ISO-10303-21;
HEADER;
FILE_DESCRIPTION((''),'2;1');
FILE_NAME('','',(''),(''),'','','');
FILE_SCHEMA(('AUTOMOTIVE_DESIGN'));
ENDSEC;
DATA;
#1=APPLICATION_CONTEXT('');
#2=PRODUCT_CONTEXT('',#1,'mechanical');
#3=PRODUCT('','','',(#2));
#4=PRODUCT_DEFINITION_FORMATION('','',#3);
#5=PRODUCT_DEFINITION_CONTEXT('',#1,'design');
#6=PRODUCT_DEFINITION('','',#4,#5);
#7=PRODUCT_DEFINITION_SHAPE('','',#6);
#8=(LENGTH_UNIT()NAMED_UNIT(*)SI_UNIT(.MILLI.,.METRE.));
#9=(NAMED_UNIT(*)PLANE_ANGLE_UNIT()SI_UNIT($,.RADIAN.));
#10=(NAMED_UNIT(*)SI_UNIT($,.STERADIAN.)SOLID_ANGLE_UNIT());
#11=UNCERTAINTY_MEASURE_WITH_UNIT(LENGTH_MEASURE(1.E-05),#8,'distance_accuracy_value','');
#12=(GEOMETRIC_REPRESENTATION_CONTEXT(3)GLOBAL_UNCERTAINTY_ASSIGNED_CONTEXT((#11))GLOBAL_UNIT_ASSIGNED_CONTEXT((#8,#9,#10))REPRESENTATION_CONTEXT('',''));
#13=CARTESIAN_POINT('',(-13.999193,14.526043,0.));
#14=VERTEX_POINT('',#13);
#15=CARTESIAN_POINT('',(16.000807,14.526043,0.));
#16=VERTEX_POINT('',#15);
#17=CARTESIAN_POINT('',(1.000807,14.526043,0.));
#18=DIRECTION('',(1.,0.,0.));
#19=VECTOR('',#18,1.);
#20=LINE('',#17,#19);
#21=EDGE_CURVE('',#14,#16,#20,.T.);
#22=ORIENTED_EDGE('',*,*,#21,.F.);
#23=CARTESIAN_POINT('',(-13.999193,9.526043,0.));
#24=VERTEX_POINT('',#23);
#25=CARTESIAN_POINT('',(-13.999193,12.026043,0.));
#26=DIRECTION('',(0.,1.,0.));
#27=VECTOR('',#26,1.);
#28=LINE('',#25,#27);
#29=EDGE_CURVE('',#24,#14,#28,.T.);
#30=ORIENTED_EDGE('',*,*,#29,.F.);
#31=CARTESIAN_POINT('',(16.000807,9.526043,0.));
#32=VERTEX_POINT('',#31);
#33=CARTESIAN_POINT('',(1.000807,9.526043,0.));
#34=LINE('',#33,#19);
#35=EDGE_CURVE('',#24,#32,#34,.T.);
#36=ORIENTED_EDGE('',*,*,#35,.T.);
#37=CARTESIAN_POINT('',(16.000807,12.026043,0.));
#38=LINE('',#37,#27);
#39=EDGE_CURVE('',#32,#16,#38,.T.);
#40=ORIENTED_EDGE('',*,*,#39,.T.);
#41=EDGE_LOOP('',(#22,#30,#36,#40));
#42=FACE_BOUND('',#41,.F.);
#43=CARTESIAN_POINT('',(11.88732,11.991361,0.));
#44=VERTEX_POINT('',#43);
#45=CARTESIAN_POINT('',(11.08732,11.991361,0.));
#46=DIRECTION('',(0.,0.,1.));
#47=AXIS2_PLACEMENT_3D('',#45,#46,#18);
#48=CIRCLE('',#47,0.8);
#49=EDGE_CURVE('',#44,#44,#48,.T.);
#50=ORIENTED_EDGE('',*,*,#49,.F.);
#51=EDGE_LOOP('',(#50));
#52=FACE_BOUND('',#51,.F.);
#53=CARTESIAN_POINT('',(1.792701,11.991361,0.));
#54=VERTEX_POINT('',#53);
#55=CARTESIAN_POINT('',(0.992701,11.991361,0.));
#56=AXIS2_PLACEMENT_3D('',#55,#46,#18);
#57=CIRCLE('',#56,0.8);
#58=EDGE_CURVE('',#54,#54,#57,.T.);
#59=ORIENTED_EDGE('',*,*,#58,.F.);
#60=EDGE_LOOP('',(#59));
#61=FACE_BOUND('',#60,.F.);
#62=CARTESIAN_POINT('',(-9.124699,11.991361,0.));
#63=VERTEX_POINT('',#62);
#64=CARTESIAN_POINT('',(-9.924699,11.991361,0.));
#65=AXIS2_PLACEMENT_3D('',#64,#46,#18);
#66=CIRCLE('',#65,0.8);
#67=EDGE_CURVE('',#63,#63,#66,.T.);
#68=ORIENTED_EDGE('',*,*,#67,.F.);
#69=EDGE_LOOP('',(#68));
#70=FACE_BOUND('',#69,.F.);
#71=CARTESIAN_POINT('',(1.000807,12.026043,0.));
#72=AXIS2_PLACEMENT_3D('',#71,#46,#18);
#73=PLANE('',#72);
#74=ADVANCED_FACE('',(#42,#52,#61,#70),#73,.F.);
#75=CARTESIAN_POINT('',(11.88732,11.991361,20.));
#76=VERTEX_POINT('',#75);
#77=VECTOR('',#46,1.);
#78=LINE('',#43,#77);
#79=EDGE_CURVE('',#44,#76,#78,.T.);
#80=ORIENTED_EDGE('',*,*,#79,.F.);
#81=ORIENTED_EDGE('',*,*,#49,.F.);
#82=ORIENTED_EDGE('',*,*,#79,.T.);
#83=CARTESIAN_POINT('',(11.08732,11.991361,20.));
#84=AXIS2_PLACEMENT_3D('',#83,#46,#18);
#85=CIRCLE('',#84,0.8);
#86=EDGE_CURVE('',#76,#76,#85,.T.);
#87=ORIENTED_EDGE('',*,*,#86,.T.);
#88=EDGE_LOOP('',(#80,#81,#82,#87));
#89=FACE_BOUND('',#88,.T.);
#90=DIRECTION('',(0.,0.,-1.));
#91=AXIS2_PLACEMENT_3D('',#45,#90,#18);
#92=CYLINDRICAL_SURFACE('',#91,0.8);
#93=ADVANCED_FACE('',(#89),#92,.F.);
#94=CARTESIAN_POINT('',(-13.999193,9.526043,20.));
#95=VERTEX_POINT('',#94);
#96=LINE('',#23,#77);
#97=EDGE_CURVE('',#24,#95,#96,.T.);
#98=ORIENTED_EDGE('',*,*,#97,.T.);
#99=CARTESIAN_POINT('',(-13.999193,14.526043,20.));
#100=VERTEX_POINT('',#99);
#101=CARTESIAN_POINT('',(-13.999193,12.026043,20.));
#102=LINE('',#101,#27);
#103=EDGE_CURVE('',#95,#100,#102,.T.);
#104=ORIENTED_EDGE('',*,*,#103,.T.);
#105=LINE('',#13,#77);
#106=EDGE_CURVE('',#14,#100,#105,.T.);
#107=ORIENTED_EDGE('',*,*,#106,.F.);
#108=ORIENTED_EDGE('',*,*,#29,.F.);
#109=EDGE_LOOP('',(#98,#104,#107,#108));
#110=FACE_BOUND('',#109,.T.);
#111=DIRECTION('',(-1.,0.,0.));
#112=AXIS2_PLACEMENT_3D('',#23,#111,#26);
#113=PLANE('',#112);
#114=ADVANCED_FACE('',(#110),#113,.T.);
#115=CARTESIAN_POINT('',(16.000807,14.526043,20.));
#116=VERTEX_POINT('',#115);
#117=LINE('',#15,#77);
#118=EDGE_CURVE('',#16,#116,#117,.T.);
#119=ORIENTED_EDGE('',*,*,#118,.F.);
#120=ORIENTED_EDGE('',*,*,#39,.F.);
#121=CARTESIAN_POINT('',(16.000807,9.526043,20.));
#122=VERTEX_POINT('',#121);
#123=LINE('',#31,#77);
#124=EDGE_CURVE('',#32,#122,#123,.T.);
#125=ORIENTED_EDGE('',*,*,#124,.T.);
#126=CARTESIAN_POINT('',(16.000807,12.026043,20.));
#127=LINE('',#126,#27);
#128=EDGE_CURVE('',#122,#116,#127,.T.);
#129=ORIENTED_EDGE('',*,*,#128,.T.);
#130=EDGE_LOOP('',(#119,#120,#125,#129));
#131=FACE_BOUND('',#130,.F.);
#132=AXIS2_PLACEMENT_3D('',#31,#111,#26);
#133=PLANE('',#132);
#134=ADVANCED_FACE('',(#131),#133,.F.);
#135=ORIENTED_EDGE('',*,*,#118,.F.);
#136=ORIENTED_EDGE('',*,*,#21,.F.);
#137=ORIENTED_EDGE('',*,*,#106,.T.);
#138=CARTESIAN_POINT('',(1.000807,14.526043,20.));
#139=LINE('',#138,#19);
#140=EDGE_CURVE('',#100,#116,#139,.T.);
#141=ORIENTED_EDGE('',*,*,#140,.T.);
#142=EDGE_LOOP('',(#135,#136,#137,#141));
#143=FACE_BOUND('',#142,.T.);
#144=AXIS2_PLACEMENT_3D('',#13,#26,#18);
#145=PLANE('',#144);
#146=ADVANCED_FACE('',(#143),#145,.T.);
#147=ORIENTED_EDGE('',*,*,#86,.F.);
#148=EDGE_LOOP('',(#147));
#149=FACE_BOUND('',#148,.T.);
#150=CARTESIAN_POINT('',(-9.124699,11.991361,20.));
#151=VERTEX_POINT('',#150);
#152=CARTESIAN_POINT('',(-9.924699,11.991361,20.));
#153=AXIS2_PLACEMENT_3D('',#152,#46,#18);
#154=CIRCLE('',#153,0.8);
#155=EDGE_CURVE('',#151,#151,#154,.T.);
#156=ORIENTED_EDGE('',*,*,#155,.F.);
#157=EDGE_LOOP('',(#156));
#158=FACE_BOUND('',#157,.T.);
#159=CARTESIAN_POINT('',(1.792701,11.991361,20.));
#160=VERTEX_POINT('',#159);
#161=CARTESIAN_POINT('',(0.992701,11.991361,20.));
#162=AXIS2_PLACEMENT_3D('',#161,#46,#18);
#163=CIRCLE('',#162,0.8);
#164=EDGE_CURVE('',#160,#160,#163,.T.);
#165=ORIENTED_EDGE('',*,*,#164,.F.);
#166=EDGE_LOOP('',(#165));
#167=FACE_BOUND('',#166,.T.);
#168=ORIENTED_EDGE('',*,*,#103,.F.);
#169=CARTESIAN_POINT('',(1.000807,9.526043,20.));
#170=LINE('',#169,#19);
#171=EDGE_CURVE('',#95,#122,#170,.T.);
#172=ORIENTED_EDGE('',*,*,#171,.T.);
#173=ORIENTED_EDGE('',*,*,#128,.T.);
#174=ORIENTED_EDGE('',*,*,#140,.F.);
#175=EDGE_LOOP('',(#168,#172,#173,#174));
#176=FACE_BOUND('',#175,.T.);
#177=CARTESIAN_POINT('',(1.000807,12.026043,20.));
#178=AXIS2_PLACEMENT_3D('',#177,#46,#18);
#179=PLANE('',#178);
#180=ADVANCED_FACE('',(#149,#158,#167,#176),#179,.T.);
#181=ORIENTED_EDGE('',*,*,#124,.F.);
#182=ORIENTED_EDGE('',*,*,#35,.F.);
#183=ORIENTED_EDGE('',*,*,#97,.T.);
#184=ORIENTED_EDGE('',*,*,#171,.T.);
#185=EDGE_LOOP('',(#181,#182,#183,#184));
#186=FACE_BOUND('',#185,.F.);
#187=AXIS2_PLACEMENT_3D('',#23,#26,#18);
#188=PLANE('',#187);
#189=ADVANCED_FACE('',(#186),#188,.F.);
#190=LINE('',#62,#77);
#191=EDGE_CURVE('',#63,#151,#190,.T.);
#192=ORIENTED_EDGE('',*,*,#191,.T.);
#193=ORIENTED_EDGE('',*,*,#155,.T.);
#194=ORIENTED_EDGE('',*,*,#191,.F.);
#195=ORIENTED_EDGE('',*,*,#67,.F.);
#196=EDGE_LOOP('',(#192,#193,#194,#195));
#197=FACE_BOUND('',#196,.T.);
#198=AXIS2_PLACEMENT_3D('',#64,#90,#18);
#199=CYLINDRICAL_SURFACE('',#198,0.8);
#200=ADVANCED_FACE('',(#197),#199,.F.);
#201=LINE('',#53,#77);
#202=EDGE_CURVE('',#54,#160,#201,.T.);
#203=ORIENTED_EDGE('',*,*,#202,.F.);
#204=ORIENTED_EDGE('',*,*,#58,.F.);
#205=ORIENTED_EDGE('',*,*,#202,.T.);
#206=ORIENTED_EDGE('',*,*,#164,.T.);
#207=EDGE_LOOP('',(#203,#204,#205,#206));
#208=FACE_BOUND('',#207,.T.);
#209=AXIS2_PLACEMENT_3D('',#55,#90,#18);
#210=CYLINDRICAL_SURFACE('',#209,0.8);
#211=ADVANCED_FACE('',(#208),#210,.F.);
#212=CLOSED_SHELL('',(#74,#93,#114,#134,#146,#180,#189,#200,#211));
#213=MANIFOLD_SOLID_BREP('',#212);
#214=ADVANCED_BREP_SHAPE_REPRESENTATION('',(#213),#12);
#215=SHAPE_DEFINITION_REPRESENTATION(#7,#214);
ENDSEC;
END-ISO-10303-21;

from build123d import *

# Parameters (mm, degrees)
F0_W     = 30
F0_H     = 5
F0_R     = 0.8
F1_DEPTH = 20


with BuildPart() as f1:
    # F0 (on Top) → F1 (new body)
    with BuildSketch(Plane.XY):
        with Locations((1.000807, 12.026043)):
            Rectangle(F0_W, F0_H)
        with Locations((-9.924699, 11.991361)):
            Circle(F0_R, mode=Mode.SUBTRACT)
        with Locations((0.992701, 11.991361)):
            Circle(F0_R, mode=Mode.SUBTRACT)
        with Locations((11.08732, 11.991361)):
            Circle(F0_R, mode=Mode.SUBTRACT)
    extrude(amount=F1_DEPTH)


solid = f1.part
